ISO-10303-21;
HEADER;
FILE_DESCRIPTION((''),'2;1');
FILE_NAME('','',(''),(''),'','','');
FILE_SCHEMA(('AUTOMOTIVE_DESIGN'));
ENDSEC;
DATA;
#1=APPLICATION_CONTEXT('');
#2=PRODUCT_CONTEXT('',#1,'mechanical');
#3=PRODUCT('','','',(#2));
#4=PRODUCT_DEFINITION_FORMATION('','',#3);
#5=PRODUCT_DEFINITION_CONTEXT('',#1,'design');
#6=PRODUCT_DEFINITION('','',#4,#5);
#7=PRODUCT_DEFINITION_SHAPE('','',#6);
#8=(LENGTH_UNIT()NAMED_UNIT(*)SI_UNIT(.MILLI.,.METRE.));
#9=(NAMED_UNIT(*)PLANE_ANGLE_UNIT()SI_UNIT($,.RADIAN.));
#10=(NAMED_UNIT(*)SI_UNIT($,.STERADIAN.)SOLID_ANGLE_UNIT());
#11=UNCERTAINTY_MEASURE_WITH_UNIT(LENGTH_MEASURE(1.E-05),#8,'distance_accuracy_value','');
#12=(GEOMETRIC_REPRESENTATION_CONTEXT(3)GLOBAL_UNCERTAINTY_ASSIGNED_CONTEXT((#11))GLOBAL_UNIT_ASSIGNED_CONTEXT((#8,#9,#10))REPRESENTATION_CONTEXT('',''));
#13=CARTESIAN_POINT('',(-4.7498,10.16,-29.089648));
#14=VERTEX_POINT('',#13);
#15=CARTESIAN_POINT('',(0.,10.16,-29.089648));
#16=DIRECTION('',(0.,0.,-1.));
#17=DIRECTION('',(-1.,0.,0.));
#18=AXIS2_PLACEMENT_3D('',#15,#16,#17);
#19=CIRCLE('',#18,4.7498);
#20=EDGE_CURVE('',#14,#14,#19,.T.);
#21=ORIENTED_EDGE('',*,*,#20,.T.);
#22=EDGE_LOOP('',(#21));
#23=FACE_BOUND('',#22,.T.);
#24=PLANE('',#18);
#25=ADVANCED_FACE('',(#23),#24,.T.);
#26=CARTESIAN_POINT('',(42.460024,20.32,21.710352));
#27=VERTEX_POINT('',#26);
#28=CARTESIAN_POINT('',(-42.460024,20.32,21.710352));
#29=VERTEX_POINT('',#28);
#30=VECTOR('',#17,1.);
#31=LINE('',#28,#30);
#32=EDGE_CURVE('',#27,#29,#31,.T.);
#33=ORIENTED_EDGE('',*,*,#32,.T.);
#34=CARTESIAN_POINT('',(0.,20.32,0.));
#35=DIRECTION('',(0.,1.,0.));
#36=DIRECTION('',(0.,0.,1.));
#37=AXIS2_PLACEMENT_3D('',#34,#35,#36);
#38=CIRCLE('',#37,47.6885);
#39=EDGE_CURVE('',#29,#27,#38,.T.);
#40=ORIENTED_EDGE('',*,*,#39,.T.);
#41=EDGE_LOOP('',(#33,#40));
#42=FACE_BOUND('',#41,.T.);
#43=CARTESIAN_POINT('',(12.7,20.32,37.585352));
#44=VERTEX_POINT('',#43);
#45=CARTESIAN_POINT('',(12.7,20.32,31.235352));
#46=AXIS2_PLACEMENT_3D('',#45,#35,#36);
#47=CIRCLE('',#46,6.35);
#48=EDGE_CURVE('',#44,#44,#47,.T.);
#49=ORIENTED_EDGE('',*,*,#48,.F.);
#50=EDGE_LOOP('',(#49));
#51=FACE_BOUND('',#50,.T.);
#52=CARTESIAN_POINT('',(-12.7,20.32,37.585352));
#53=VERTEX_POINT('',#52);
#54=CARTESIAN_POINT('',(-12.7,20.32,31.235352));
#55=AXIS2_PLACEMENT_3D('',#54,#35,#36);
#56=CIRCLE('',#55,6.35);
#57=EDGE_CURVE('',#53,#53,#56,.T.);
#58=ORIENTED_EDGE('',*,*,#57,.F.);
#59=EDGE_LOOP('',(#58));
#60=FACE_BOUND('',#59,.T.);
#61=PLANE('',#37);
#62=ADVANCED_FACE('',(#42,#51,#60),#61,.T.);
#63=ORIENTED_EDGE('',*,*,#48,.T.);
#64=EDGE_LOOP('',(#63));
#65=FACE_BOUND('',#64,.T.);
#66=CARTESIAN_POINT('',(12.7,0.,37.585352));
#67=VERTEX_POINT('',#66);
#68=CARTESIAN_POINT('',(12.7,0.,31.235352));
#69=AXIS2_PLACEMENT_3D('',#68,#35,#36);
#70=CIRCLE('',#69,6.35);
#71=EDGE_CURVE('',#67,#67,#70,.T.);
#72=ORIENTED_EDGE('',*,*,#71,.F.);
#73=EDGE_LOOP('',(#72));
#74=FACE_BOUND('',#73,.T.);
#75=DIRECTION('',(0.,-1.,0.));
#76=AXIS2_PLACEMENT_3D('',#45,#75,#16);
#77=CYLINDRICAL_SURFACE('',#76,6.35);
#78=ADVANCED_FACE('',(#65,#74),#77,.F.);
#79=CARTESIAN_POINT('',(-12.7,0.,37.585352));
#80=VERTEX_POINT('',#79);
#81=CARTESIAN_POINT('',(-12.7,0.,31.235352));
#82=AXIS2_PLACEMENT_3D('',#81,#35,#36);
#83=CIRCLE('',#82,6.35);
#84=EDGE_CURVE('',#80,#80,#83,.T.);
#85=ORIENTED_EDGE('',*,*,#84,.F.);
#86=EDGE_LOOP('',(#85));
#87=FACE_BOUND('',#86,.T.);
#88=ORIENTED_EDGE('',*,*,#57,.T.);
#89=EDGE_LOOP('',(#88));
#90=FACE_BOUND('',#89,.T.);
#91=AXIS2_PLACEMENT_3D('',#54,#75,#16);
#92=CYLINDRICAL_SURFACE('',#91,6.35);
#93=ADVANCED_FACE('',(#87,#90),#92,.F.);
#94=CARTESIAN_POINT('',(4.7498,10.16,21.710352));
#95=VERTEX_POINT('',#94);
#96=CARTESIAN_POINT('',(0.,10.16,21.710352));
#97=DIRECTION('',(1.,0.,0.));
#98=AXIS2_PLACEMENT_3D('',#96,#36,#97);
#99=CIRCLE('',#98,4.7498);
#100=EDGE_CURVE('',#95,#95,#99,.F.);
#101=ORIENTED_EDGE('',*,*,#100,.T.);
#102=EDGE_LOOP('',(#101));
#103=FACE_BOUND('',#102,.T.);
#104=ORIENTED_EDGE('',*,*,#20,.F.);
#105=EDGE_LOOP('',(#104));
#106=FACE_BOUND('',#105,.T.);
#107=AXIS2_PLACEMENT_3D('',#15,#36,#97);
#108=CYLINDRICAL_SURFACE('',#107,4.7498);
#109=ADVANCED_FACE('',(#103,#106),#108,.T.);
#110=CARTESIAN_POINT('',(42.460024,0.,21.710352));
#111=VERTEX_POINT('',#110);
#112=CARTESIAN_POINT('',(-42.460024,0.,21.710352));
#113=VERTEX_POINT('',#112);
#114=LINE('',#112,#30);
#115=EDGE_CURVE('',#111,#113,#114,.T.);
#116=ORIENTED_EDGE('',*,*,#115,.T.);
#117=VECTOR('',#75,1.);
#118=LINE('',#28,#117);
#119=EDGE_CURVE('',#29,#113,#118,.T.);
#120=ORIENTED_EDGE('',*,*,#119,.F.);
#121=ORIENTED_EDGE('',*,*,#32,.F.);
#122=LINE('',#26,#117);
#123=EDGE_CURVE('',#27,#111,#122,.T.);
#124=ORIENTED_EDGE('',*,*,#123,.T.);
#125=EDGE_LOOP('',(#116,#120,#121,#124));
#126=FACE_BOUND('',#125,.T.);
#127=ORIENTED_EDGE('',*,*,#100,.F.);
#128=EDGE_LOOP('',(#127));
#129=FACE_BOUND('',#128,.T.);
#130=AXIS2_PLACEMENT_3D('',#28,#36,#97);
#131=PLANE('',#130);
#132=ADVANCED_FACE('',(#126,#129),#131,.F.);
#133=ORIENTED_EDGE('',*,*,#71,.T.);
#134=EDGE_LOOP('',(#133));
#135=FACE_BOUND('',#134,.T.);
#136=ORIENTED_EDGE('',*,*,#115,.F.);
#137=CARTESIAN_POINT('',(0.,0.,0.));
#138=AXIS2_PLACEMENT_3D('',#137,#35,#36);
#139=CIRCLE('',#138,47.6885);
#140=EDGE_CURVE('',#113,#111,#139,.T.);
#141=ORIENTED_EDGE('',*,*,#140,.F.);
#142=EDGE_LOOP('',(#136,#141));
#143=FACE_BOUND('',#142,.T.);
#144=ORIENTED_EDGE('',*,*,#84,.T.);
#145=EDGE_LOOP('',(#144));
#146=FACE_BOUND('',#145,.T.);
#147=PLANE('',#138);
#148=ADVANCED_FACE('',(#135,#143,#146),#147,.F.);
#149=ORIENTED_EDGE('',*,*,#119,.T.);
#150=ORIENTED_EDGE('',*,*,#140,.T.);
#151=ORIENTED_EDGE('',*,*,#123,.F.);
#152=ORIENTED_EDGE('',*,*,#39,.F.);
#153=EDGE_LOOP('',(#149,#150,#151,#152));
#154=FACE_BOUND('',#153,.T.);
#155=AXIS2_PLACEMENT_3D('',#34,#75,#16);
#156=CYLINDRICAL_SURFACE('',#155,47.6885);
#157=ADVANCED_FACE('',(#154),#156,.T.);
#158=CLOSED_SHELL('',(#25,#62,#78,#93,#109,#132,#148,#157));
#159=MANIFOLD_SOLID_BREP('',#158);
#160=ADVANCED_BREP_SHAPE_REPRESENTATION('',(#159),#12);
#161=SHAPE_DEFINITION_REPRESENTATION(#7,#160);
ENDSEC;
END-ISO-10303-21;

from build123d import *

# Parameters (mm, degrees)
SKETCH1_R           = 6.35
BOSS_EXTRUDE1_DEPTH = 20.32
SKETCH2_R           = 4.7498
BOSS_EXTRUDE2_DEPTH = 50.8


with BuildPart() as part:
    # Sketch1 → Boss-Extrude1 (new body)
    with BuildSketch(Plane(origin=(0, 0, 0), x_dir=(1, 0, 0), z_dir=(0, 1, 0))):
        with BuildLine():
            Line((-42.460023894, -21.710352443), (42.460023894, -21.710352443))
            ThreePointArc((42.460023894, -21.710352443), (0, -47.6885), (-42.460023894, -21.710352443))
        make_face()
        with Locations(Location((-12.7, -31.235352443, 0), (0, 0, 270))):
            Circle(SKETCH1_R, mode=Mode.SUBTRACT)
        with Locations(Location((12.7, -31.235352443, 0), (0, 0, 270))):
            Circle(SKETCH1_R, mode=Mode.SUBTRACT)
    extrude(amount=BOSS_EXTRUDE1_DEPTH)

    # Sketch2 → Boss-Extrude2 (add)
    with BuildSketch(Plane(origin=(0, 0, 21.710352443), x_dir=(-1, 0, 0), z_dir=(0, 0, -1))):
        with Locations(Location((0, 10.16, 0), (0, 0, 180))):
            Circle(SKETCH2_R)
    extrude(amount=BOSS_EXTRUDE2_DEPTH)


solid = part.part
